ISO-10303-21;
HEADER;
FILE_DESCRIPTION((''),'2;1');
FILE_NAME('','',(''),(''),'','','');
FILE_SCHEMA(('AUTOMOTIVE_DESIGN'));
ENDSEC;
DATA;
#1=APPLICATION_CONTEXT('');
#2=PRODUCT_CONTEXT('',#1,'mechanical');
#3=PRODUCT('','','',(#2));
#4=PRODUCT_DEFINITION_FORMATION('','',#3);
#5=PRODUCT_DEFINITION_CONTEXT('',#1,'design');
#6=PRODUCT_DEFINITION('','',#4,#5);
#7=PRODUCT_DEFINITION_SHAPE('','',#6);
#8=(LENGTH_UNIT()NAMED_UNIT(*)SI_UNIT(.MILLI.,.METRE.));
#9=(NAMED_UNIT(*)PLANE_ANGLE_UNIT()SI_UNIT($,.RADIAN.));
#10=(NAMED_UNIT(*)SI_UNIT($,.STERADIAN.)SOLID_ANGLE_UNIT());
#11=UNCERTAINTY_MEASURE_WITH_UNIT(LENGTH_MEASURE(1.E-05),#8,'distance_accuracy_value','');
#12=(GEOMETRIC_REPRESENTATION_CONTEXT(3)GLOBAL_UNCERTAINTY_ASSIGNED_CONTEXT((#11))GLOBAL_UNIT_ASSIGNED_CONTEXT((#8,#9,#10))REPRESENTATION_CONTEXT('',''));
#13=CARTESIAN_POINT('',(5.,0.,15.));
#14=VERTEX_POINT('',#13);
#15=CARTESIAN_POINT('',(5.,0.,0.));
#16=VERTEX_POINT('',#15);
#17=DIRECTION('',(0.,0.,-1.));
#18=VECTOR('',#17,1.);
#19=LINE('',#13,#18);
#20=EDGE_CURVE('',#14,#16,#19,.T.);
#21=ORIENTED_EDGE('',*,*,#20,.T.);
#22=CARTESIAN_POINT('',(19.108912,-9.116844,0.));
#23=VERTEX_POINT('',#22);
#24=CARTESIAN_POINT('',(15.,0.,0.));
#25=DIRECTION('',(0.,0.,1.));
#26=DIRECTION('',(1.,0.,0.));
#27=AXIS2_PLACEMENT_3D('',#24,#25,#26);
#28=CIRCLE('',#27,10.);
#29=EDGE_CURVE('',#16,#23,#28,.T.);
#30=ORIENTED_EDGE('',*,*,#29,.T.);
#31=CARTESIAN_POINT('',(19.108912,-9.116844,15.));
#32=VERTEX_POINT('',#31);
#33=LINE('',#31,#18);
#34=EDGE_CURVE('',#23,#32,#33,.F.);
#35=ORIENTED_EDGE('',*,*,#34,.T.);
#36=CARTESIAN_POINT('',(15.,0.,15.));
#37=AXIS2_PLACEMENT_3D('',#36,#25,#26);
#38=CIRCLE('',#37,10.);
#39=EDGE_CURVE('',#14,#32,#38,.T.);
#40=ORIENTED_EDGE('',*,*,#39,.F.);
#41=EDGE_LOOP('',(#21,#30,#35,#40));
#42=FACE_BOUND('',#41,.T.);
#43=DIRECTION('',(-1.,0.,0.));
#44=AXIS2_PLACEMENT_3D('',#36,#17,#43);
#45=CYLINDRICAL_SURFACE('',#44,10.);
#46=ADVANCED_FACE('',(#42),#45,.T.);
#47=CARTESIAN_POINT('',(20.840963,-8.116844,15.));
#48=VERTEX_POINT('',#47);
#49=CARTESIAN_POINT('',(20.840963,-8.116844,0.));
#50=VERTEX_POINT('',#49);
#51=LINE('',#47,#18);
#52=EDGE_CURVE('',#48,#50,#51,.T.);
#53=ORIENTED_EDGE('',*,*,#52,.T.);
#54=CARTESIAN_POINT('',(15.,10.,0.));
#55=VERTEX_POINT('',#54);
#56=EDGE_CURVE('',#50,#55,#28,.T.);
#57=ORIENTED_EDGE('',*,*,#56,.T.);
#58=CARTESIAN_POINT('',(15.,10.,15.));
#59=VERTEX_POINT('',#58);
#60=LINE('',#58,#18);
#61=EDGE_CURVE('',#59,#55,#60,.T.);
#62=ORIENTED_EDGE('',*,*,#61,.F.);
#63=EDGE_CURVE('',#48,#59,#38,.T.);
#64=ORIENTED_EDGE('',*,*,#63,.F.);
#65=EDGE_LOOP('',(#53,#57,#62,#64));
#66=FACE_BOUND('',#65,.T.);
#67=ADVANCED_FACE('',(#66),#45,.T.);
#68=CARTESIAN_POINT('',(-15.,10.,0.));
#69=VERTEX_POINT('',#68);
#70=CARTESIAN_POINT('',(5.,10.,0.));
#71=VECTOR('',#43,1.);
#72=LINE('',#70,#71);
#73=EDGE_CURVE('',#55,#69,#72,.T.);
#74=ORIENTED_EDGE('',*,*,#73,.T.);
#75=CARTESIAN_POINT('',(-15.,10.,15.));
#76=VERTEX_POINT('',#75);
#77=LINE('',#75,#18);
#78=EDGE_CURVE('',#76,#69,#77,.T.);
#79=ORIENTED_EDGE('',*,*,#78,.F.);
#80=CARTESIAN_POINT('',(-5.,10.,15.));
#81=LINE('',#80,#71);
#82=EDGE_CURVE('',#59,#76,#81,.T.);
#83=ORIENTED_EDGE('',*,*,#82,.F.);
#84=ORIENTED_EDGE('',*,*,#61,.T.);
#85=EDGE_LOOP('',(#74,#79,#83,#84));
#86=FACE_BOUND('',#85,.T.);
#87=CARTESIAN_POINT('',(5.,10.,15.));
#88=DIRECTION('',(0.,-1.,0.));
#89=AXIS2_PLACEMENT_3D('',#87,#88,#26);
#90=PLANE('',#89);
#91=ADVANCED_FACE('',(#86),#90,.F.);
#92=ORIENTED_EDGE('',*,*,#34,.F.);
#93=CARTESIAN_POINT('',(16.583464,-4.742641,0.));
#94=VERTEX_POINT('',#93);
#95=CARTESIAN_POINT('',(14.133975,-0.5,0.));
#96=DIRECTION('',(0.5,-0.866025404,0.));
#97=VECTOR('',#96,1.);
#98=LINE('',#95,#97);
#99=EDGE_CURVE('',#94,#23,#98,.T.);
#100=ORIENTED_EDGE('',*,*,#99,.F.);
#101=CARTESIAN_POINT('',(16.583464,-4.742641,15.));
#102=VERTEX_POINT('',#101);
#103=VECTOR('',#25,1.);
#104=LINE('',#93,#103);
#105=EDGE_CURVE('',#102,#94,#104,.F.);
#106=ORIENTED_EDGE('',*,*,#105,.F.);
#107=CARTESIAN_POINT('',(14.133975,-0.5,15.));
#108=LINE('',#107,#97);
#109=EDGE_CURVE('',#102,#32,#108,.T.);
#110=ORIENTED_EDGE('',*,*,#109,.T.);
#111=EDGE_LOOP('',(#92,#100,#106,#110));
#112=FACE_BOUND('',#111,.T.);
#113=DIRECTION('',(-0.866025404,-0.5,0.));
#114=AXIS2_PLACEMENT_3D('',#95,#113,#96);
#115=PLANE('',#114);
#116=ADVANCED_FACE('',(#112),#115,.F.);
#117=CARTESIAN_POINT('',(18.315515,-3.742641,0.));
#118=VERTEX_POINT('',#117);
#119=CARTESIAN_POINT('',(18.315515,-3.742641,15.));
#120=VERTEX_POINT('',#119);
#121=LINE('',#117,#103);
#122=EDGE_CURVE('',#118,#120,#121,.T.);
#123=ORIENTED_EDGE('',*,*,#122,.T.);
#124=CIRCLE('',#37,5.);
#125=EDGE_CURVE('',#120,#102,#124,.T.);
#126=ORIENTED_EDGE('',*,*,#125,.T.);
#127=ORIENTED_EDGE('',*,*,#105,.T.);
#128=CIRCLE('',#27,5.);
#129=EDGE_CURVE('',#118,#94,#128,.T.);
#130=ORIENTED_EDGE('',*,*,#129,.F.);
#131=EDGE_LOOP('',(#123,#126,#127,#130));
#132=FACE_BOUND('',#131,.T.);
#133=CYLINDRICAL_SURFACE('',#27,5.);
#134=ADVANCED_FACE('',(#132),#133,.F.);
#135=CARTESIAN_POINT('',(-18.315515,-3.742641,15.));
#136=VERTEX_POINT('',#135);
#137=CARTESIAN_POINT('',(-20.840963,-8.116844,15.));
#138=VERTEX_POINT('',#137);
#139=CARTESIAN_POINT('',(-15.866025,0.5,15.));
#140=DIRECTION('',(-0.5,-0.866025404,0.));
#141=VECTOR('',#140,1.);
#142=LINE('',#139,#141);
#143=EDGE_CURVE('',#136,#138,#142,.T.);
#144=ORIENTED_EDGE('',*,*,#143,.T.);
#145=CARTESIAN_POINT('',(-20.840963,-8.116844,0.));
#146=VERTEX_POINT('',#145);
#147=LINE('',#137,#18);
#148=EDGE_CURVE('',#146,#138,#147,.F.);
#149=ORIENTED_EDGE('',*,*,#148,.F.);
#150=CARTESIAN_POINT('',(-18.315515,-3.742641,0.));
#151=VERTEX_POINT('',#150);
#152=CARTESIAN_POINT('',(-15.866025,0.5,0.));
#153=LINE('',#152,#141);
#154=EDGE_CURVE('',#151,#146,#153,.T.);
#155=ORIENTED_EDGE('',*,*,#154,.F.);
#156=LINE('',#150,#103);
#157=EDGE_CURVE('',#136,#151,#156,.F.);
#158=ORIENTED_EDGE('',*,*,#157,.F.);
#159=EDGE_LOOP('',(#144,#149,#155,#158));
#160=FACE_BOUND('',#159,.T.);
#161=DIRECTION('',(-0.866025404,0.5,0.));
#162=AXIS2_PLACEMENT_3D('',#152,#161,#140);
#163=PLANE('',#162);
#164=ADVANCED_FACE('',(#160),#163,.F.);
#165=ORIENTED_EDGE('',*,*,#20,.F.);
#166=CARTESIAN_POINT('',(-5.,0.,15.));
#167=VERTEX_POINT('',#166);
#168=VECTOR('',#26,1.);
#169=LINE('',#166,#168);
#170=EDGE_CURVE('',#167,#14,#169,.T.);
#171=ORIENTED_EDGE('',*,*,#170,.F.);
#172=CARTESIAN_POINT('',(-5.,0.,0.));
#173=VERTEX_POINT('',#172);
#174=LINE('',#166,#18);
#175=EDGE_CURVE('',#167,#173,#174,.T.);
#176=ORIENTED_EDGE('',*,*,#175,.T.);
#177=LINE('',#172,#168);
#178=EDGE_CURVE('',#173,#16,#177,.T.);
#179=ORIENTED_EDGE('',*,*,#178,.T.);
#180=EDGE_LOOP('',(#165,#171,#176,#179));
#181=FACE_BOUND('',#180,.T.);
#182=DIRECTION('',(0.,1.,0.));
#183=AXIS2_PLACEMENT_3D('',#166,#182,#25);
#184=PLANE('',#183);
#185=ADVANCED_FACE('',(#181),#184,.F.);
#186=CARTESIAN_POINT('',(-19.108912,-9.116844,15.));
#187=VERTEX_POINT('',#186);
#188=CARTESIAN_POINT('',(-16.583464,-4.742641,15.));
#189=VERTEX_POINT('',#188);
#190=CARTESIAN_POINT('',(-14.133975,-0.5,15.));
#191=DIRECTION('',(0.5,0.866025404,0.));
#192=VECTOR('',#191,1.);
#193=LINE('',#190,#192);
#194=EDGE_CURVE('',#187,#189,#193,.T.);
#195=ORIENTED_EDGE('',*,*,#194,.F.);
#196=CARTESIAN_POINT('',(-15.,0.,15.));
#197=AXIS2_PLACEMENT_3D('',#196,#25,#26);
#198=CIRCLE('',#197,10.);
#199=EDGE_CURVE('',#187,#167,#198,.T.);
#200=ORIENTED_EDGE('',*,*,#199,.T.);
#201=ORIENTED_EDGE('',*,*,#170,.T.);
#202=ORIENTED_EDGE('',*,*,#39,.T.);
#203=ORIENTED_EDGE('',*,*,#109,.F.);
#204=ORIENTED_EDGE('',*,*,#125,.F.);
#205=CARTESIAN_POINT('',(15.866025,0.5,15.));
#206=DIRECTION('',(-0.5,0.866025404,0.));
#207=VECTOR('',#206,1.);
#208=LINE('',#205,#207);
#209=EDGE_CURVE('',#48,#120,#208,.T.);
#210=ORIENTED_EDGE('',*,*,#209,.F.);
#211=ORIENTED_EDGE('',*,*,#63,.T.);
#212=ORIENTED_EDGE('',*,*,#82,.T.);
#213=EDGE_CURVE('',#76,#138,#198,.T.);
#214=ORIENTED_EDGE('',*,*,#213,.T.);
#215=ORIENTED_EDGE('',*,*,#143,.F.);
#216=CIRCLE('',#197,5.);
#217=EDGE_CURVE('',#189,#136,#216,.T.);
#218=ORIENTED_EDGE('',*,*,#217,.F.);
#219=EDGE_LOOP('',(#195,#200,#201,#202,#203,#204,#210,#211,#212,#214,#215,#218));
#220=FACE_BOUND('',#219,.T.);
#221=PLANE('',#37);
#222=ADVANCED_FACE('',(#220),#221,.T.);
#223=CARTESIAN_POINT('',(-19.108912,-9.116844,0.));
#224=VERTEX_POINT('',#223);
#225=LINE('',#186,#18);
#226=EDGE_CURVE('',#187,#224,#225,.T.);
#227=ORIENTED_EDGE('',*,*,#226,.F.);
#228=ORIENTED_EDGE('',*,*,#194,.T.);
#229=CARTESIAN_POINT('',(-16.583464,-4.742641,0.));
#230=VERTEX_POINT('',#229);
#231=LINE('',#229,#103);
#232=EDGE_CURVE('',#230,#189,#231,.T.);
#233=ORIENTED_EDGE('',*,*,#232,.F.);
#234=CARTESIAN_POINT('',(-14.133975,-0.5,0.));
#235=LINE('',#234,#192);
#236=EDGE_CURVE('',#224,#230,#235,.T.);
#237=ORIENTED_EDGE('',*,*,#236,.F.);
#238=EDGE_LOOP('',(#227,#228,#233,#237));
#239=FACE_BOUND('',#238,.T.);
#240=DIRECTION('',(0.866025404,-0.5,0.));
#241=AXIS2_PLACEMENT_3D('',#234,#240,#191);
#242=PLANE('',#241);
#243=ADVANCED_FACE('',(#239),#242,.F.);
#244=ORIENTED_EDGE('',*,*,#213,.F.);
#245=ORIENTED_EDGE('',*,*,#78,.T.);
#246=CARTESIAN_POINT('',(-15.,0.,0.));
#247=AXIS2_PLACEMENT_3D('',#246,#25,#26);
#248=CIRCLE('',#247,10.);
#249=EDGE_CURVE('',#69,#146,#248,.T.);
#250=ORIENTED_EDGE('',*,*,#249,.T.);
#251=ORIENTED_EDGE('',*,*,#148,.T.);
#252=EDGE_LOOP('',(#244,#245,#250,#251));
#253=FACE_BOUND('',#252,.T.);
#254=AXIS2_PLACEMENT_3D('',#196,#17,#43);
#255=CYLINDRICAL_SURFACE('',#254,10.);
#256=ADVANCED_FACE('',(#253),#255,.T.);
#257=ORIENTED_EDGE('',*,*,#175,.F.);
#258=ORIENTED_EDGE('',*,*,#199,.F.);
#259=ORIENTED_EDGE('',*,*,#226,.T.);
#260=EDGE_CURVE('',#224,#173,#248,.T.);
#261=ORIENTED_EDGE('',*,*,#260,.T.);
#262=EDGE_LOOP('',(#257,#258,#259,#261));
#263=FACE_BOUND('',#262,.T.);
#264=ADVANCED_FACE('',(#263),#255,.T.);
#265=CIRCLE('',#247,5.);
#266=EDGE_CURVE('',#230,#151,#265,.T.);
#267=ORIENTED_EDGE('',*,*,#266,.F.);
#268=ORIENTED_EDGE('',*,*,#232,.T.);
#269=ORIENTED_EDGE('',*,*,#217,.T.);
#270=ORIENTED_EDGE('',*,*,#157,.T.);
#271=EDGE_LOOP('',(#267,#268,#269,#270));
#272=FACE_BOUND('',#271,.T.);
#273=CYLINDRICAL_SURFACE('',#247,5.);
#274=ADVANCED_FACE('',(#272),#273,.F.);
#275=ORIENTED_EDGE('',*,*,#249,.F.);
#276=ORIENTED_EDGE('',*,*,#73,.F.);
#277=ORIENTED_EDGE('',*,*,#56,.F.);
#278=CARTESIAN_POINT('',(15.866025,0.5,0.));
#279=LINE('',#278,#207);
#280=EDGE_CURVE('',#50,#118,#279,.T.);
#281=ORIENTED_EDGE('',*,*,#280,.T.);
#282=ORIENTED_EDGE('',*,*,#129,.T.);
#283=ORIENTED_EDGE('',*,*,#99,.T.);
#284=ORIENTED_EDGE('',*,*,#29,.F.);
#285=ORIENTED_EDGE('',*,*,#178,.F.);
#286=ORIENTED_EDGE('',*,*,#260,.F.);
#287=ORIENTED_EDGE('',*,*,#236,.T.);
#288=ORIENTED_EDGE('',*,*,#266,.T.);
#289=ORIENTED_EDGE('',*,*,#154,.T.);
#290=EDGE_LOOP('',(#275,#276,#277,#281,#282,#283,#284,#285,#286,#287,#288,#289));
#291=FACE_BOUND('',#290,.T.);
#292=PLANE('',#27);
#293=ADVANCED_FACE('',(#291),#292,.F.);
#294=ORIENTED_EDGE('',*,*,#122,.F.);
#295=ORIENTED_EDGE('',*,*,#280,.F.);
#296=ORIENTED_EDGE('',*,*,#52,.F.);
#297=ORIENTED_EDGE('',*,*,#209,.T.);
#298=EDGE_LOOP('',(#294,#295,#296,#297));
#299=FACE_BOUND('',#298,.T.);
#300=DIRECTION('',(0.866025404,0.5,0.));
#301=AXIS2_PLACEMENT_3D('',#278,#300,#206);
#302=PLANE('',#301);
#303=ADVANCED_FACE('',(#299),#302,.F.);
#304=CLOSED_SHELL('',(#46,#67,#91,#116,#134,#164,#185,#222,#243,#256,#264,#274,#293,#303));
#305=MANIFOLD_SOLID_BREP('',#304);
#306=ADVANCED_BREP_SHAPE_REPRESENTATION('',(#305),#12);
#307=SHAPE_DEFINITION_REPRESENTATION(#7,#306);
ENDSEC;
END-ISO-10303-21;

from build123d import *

# Parameters (mm, degrees)
BOSS_EXTRUDE1_DEPTH = 15
SKETCH3_R           = 5
CUT_EXTRUDE1_DEPTH  = 31.822070015
CUT_EXTRUDE2_DEPTH  = 31.822070015


with BuildPart() as part:
    # Sketch2 → Boss-Extrude1 (new body)
    with BuildSketch(Plane.XY):
        with BuildLine():
            Line((-5, 10), (-15, 10))
            ThreePointArc((-15, 10), (-22.071067812, -7.071067812), (-5, 0))
            Line((-5, 0), (5, 0))
            ThreePointArc((5, 0), (22.071067812, -7.071067812), (15, 10))
            Line((15, 10), (5, 10))
            Line((5, 10), (-5, 10))
        make_face()
    extrude(amount=BOSS_EXTRUDE1_DEPTH)

    # Sketch3 → Cut-Extrude1 (cut, through all)
    with BuildSketch(Plane.XY.offset(15)):
        with Locations((-15, 0)):
            Circle(SKETCH3_R)
        with Locations((15, 0)):
            Circle(SKETCH3_R)
    extrude(amount=-CUT_EXTRUDE1_DEPTH, mode=Mode.SUBTRACT)

    # Sketch4 → Cut-Extrude2 (cut, through all)
    with BuildSketch(Plane.XY.offset(15)):
        Polygon((-14.133974596, -0.5), (-15.866025404, 0.5), (-20.866025404, -8.160254038), (-19.133974596, -9.160254038), align=None)
        Polygon((14.133974596, -0.5), (15.866025404, 0.5), (20.866025404, -8.160254038), (19.133974596, -9.160254038), align=None)
    extrude(amount=-CUT_EXTRUDE2_DEPTH, mode=Mode.SUBTRACT)


solid = part.part
